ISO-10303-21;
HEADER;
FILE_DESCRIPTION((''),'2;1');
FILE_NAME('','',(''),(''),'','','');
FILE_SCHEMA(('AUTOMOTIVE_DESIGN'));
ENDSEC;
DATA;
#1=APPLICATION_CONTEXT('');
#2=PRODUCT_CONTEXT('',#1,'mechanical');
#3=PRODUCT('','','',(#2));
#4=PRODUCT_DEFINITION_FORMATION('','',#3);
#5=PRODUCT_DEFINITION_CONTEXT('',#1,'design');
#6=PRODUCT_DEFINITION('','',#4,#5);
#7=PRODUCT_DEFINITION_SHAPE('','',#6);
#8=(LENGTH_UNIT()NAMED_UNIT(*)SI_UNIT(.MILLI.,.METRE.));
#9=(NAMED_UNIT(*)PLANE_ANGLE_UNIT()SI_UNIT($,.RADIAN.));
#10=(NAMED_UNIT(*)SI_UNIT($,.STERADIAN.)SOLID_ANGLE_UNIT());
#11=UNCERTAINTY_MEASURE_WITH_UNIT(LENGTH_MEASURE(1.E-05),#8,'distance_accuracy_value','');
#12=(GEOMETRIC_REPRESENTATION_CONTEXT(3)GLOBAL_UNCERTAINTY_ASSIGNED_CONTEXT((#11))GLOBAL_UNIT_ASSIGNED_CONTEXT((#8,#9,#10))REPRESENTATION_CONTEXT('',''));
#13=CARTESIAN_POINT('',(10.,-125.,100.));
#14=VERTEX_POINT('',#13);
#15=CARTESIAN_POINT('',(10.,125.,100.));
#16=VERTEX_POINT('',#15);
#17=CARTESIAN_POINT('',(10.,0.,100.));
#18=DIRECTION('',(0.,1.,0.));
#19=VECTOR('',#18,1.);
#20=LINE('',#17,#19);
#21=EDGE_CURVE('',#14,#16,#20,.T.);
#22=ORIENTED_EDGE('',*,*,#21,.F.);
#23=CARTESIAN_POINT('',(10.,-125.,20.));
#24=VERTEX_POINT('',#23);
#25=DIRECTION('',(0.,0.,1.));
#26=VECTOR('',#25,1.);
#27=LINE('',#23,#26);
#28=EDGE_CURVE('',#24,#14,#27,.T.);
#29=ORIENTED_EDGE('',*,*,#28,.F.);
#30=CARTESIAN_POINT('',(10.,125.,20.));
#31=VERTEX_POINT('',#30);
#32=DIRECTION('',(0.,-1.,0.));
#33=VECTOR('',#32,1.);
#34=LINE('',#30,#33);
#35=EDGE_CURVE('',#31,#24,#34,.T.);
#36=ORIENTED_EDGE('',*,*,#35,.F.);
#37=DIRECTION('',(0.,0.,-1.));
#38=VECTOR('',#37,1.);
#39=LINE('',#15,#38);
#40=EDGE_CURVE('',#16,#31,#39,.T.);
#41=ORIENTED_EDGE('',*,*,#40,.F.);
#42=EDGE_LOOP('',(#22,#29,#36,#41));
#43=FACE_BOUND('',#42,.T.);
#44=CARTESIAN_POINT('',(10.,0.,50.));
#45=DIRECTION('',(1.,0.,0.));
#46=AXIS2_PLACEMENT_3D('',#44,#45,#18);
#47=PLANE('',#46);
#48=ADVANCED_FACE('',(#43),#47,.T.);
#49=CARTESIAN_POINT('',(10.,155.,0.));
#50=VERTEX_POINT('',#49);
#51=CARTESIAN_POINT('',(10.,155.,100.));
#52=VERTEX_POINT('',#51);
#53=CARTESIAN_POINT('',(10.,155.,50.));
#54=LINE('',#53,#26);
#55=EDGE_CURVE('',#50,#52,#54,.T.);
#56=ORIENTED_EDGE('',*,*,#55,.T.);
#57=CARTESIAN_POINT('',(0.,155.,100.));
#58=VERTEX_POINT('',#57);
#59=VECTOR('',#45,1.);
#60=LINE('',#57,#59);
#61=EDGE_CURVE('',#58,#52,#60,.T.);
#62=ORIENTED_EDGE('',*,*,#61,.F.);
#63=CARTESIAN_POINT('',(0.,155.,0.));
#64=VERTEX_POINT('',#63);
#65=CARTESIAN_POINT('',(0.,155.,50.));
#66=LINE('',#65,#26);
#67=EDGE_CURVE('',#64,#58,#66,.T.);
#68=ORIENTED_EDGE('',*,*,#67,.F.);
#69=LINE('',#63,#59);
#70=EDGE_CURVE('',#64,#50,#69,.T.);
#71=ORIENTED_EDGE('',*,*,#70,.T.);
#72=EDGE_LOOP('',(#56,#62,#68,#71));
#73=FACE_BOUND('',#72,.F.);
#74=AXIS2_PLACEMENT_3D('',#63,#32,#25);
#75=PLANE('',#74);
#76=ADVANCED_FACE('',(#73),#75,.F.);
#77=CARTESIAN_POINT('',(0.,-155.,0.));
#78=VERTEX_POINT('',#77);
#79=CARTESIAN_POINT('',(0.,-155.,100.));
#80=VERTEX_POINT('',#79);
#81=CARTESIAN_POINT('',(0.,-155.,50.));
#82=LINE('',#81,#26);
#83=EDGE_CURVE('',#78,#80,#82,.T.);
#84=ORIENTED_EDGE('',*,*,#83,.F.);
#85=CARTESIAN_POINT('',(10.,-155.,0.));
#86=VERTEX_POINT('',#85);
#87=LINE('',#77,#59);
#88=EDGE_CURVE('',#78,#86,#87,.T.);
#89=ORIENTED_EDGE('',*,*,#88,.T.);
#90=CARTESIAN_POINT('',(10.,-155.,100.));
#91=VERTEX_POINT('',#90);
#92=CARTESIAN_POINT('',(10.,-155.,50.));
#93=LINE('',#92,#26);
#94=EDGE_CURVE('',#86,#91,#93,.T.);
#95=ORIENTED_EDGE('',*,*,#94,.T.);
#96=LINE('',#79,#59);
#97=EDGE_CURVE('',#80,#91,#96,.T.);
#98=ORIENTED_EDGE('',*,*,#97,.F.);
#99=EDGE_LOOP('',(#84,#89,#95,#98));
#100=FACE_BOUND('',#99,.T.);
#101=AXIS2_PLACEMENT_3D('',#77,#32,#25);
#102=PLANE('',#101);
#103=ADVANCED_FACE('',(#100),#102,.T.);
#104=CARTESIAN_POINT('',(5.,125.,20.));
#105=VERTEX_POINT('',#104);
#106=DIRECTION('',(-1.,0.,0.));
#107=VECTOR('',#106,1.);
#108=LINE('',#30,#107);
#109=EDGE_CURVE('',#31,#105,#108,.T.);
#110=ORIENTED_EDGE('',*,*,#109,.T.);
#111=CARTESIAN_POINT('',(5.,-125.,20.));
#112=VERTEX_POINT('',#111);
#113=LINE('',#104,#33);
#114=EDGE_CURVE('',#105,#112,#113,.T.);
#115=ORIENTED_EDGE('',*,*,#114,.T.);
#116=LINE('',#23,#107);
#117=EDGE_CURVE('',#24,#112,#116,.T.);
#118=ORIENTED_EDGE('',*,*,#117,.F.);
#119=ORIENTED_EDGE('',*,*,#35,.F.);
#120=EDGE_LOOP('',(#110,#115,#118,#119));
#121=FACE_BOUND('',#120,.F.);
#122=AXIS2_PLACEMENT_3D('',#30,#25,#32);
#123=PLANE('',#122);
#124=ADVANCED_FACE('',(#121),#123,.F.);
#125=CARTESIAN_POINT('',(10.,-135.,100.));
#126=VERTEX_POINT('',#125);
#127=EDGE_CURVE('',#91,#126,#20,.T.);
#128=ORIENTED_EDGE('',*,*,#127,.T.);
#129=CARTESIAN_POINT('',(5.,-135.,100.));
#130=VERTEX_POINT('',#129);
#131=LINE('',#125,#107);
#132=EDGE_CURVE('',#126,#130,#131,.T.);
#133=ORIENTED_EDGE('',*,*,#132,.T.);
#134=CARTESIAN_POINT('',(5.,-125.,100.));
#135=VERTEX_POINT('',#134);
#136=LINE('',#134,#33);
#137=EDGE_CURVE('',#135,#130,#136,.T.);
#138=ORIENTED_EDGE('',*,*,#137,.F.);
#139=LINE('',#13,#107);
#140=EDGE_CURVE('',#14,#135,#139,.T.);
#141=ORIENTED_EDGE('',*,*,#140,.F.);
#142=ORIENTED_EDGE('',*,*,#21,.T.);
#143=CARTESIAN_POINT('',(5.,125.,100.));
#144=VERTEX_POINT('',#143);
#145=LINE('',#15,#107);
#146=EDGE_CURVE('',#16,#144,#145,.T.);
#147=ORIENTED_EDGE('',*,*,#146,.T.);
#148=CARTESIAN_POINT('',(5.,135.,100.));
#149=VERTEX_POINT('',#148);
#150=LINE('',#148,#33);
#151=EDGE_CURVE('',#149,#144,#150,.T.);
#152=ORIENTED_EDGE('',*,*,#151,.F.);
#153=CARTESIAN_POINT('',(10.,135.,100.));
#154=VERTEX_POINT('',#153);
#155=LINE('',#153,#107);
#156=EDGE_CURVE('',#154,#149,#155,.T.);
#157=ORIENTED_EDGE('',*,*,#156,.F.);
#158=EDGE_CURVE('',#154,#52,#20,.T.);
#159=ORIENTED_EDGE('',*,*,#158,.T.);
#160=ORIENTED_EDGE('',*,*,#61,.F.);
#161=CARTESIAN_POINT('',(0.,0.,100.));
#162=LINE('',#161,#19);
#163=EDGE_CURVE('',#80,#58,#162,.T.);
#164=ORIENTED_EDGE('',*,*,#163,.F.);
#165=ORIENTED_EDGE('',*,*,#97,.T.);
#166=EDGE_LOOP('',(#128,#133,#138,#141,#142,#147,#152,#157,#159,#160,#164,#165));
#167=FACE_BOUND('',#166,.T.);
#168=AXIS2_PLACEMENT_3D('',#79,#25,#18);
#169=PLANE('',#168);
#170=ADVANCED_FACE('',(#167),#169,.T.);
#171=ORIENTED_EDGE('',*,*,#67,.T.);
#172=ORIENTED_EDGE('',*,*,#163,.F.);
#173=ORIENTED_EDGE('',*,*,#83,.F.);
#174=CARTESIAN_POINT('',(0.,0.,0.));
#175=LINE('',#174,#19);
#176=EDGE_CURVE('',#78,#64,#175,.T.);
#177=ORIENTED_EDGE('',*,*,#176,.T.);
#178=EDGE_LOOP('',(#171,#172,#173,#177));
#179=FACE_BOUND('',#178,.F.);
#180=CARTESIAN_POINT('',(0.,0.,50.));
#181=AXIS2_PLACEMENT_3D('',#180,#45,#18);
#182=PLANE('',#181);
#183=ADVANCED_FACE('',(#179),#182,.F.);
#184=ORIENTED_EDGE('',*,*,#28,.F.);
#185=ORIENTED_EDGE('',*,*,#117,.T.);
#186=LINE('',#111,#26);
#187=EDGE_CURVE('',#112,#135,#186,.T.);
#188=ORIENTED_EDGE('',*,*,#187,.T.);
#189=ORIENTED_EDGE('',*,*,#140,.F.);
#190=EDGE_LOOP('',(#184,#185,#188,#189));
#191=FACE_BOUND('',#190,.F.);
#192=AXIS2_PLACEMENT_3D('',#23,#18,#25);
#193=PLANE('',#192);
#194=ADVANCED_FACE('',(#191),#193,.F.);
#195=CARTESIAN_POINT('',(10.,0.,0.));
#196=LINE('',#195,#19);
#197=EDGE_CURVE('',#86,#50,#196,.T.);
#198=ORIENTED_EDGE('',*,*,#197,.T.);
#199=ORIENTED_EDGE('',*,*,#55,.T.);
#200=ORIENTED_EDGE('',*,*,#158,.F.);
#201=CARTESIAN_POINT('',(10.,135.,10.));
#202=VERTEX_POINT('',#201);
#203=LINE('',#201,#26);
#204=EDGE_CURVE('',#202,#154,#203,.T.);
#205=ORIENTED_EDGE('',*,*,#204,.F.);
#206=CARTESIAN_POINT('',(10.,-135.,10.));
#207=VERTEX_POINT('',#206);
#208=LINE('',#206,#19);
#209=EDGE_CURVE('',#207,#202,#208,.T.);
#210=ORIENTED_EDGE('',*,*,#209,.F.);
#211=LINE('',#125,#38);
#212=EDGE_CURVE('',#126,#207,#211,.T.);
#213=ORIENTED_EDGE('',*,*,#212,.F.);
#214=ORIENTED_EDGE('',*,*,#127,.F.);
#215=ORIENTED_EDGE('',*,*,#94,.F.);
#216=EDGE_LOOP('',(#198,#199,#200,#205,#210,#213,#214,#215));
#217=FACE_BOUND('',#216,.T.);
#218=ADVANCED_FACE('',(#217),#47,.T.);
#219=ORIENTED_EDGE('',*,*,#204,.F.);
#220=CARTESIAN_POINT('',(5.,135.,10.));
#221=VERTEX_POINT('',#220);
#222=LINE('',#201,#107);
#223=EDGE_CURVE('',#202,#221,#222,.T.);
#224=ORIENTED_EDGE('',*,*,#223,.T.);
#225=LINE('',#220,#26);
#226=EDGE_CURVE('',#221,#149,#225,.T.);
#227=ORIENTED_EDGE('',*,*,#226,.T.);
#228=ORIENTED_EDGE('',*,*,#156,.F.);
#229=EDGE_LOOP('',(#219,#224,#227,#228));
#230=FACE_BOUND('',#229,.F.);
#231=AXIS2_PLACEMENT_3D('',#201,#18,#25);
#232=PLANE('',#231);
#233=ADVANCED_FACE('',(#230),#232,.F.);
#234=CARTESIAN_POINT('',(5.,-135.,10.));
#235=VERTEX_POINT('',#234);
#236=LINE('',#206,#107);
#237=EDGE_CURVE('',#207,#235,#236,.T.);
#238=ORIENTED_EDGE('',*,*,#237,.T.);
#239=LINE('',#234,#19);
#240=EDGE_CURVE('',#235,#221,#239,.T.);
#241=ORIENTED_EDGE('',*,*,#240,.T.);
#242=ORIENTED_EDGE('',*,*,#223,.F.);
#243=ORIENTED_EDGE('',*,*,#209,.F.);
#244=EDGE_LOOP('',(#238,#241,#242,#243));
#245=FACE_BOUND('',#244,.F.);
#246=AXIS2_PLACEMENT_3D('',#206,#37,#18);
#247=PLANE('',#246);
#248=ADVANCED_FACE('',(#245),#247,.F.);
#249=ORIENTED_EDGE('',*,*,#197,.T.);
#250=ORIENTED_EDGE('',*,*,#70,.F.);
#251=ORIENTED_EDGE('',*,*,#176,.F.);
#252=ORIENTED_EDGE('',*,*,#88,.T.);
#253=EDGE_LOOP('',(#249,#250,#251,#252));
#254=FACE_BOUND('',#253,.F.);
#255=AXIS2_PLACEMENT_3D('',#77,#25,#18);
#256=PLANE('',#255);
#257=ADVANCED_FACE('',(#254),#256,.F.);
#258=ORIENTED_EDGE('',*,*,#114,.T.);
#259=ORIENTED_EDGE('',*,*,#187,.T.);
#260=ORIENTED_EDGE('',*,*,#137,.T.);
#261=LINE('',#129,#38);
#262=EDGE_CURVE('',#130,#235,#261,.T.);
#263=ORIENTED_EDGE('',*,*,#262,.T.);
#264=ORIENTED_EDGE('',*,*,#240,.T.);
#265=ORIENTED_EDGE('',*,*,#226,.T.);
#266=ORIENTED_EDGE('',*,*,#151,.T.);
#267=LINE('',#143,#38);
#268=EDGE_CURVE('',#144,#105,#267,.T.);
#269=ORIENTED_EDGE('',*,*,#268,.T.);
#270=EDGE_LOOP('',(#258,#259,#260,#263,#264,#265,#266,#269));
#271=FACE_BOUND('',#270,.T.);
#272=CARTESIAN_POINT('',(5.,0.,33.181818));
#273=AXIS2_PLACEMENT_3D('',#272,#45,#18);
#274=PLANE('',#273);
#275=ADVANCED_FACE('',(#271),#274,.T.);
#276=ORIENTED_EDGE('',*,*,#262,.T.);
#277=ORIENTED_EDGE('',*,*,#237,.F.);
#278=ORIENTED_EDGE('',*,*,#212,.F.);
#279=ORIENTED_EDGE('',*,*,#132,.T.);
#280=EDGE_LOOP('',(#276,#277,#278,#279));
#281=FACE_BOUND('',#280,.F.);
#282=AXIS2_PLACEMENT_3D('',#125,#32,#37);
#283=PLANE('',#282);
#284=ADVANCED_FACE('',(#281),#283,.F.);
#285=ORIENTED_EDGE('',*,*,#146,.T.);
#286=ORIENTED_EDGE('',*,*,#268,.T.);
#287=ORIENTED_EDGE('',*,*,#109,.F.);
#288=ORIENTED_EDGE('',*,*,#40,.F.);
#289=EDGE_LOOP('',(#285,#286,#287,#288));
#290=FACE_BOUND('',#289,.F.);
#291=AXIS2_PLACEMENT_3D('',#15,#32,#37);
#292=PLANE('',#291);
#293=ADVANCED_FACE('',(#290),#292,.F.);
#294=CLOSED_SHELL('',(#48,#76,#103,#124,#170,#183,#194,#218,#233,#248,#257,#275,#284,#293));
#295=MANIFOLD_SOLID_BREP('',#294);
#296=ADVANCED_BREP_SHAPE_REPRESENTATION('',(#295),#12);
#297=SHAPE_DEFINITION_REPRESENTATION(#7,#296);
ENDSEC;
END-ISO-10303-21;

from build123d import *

# Parameters (mm, degrees)
F0_W     = 310
F0_H     = 100
F1_DEPTH = 10
F3_DEPTH = 5


with BuildPart() as f1:
    # F0 (on Right) → F1 (new body)
    with BuildSketch(Plane.YZ):
        with Locations((0, 50)):
            Rectangle(F0_W, F0_H)
    extrude(amount=F1_DEPTH)

    # F2 (on face) → F3 (cut)
    with BuildSketch(Plane.YZ.offset(10)):
        Polygon((-125, 100), (-135, 100), (-135, 10), (0, 10), (135, 10), (135, 100), (125, 100), (125, 20), (0, 20), (-125, 20), align=None)
    extrude(amount=-F3_DEPTH, mode=Mode.SUBTRACT)


solid = f1.part
